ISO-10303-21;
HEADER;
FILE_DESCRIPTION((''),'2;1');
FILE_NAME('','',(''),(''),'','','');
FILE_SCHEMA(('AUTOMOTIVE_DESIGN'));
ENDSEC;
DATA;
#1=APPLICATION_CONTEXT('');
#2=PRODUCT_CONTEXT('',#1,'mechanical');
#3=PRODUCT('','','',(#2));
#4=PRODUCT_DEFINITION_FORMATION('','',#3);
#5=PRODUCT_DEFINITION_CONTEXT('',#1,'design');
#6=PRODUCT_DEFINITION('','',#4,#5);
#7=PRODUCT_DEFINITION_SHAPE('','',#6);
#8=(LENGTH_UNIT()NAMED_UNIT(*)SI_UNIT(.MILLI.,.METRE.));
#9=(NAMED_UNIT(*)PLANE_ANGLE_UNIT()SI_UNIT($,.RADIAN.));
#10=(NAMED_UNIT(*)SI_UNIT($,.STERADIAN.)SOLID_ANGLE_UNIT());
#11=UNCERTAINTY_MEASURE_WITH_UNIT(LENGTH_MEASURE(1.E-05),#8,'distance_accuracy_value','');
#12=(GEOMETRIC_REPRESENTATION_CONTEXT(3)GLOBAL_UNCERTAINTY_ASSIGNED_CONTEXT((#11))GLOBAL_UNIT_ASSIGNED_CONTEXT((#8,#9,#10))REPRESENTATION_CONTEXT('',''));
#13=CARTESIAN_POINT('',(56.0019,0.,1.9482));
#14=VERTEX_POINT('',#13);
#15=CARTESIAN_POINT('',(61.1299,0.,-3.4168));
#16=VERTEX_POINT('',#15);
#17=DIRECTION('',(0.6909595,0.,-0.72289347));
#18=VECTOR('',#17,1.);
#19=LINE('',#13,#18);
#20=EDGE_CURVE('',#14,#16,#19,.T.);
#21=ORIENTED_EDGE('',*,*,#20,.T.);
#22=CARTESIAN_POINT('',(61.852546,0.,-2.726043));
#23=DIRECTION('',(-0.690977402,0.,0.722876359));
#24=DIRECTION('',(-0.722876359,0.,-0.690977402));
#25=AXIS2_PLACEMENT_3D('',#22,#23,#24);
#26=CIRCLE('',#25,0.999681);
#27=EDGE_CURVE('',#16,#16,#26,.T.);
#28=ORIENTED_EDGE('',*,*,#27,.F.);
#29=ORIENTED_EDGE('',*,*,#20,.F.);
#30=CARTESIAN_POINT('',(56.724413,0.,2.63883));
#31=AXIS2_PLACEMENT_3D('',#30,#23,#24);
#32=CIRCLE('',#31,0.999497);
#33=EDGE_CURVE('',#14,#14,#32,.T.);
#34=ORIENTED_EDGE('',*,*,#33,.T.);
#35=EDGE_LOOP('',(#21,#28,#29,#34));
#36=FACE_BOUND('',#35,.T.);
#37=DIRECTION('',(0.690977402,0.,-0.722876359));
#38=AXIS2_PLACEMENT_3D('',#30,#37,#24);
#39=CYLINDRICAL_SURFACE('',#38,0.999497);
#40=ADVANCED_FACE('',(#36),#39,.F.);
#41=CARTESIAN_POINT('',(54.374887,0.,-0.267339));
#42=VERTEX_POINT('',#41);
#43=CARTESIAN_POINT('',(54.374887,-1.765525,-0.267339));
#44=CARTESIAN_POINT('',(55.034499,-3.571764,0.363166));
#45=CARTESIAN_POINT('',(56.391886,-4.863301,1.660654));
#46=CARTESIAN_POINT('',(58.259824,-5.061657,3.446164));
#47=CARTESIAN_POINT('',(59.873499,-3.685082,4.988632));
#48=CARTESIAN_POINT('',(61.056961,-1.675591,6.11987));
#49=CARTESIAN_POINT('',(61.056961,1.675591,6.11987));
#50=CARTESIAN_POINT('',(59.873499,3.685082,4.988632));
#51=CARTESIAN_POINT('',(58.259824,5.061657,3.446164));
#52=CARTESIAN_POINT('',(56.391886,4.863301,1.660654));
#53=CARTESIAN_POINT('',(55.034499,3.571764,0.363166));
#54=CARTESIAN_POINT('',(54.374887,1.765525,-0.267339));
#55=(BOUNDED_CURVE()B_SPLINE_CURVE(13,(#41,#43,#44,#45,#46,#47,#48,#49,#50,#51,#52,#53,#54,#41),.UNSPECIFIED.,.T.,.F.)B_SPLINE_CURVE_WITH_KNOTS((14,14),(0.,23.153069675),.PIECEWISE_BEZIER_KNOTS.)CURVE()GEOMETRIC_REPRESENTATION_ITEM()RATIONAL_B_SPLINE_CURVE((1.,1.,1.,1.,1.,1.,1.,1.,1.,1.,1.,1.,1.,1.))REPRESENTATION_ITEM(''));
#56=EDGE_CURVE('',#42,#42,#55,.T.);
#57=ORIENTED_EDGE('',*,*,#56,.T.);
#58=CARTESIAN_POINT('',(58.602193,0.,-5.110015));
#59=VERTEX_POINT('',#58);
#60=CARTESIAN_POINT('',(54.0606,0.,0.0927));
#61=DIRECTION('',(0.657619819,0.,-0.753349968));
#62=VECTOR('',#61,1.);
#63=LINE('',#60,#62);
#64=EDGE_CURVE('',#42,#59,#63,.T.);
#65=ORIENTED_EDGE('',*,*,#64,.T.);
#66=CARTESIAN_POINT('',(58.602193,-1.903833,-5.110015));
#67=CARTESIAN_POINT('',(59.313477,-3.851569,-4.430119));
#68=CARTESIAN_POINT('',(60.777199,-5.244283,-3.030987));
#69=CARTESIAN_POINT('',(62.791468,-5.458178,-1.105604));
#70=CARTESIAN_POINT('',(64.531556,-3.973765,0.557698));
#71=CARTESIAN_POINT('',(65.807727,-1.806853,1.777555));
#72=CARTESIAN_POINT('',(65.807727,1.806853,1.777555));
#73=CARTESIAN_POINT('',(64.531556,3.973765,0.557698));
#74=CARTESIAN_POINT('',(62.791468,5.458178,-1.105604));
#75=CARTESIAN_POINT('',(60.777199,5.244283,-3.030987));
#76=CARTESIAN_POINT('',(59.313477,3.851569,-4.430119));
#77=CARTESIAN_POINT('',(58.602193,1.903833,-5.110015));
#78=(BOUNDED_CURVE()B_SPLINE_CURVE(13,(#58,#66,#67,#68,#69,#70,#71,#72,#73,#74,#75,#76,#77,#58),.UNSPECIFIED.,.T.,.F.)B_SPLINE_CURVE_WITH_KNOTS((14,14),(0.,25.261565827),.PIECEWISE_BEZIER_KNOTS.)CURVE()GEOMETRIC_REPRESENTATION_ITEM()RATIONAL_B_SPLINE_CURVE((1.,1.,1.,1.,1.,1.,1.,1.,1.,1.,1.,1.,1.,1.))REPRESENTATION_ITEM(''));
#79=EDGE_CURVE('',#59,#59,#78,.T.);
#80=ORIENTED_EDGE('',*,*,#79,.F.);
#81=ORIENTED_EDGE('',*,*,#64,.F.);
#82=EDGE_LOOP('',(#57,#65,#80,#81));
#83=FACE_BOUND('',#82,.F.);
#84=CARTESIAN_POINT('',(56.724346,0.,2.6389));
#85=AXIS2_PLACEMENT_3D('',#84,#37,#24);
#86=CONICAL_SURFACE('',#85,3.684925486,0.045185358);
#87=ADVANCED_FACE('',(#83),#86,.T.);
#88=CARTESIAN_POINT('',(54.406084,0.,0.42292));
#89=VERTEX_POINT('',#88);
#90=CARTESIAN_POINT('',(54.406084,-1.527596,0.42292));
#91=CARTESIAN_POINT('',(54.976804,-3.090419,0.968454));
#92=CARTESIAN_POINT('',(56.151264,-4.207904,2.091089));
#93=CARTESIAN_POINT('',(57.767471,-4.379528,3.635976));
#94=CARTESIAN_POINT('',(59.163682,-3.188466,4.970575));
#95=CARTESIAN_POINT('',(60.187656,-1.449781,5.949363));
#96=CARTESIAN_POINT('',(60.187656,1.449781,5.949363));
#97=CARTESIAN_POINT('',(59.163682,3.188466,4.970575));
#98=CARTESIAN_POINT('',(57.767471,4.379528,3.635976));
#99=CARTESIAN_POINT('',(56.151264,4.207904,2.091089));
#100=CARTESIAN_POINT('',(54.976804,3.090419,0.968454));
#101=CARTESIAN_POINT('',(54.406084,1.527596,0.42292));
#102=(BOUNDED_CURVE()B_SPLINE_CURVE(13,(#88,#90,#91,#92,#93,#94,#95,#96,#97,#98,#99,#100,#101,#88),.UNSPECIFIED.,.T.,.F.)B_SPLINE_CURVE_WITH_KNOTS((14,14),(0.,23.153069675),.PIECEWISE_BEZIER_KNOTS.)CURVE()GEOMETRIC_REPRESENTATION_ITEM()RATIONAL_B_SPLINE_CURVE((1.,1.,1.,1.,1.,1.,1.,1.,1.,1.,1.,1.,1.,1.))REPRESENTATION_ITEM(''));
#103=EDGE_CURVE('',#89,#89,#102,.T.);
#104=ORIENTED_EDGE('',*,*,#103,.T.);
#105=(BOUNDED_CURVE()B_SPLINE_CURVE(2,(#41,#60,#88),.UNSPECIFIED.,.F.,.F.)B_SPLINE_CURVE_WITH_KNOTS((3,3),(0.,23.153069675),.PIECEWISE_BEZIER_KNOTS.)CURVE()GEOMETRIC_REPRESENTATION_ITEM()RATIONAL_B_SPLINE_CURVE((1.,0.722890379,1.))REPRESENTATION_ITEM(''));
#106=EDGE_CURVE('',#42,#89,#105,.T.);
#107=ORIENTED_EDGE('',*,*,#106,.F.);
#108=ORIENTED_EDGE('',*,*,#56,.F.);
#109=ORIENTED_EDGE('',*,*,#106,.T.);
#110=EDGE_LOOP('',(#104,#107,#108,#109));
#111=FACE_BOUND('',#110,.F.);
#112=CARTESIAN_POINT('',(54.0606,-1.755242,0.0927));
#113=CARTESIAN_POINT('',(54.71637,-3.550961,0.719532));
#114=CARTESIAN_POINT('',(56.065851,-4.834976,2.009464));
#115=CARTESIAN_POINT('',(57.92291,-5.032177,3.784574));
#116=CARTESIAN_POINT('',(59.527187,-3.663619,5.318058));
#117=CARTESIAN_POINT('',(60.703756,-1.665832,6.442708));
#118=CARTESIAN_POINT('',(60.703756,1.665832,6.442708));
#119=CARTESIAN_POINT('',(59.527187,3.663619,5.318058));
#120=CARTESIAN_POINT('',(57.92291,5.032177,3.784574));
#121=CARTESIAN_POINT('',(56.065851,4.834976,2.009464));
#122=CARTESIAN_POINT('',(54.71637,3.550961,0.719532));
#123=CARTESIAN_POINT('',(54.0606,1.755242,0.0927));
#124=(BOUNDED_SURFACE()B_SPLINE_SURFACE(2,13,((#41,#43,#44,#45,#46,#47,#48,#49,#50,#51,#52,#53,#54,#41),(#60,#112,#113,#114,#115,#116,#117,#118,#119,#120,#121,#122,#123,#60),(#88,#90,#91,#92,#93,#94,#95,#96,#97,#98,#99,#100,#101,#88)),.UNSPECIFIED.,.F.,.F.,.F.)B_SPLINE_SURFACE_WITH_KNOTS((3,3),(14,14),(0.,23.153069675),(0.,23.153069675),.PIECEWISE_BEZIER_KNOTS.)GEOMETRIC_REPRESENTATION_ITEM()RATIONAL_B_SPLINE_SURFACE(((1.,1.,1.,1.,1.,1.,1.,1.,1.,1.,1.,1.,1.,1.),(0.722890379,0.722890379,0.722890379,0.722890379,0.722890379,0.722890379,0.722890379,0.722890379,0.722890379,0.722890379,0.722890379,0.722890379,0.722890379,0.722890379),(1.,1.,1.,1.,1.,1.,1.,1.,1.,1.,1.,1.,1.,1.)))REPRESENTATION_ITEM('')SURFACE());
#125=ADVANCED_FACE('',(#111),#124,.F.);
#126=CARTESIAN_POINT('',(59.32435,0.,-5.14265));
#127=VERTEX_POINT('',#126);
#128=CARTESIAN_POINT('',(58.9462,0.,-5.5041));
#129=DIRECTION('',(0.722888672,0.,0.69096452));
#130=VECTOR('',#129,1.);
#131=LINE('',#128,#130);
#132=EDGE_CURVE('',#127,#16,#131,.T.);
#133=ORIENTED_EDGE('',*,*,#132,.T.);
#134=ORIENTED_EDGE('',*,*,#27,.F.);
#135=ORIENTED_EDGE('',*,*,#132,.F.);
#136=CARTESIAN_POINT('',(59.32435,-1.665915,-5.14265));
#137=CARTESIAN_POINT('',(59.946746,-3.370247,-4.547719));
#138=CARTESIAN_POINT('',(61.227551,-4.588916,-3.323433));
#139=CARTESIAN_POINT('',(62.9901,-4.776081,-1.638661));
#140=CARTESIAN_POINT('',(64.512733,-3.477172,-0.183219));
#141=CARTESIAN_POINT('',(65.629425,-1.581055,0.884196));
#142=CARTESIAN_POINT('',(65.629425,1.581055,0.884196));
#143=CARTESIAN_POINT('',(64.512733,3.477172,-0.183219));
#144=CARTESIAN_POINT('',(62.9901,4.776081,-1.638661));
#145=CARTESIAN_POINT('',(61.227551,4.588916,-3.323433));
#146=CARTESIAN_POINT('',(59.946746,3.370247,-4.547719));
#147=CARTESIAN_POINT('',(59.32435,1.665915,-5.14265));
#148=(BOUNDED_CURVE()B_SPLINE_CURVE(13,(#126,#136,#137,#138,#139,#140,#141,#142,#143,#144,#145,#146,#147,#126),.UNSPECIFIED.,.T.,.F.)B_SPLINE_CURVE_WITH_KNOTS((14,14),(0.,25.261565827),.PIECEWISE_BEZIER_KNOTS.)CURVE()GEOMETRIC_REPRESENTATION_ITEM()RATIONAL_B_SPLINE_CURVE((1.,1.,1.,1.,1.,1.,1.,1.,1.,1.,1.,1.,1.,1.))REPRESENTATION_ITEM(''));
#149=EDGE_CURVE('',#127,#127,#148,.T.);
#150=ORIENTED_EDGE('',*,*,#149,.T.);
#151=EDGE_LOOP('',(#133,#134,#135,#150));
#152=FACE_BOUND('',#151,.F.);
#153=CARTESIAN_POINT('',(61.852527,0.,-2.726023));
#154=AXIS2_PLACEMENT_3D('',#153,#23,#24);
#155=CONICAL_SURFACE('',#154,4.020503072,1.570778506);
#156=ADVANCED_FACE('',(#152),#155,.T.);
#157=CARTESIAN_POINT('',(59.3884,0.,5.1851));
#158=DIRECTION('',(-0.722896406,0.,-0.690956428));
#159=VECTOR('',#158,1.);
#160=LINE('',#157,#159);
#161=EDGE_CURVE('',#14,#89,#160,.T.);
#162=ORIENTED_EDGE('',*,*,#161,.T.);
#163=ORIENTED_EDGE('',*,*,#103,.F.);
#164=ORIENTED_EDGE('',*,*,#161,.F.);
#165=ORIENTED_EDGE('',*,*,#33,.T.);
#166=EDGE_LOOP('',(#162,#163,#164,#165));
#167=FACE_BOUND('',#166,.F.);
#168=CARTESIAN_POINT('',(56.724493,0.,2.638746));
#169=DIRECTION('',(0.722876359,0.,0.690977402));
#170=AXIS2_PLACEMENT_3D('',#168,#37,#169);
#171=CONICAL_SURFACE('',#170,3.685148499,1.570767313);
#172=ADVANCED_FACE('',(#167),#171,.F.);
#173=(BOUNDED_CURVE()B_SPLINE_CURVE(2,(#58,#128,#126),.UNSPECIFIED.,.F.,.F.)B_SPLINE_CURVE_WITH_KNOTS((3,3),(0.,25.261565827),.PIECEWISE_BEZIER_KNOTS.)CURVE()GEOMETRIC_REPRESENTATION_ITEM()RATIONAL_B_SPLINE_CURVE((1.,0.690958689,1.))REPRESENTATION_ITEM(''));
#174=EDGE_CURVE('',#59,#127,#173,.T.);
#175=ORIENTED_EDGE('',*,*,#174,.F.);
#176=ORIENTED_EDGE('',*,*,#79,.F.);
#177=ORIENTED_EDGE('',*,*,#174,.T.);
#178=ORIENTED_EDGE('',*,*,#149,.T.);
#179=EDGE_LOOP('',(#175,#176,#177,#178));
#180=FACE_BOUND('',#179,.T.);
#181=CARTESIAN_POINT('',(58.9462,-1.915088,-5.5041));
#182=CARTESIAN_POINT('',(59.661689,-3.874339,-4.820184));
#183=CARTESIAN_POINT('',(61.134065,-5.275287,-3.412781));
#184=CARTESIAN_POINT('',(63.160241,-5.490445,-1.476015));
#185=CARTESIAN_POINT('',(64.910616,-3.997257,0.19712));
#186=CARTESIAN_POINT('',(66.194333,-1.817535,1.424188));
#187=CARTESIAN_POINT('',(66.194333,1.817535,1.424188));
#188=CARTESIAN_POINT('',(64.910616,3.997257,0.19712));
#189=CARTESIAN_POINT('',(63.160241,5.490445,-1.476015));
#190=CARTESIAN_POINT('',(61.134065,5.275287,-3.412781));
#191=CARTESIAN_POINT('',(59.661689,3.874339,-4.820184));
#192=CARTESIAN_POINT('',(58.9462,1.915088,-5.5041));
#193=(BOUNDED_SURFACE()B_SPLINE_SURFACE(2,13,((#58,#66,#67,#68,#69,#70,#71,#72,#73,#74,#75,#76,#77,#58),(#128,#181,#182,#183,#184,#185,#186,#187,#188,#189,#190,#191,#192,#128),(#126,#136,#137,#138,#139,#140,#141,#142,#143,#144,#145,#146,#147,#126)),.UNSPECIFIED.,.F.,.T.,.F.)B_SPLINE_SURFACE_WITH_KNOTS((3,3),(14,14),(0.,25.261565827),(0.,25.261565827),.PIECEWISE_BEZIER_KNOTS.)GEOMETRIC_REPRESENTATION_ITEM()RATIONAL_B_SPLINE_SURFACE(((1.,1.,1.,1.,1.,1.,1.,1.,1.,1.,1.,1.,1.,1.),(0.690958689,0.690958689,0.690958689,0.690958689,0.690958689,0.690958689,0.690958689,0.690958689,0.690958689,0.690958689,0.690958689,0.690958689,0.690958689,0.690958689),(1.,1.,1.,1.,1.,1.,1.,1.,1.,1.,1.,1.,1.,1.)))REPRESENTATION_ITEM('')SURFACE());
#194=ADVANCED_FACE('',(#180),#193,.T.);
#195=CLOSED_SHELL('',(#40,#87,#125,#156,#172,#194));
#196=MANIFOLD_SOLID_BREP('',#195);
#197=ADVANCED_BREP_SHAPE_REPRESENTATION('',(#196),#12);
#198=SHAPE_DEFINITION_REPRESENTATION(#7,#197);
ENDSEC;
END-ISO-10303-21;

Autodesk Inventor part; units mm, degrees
ref_plane "YZ Plane" through (0, 0, 0) normal (1, 0, 0) x (0, 1, 0)
ref_plane "XZ Plane" through (0, 0, 0) normal (0, 1, 0) x (-1, 0, 0)
sketch "Sketch7" plane through (0, 0, 0) normal (0, 1, 0) x (-1, 0, 0)
  line L0 (0, 0) -> (0, 61.9844)
  line L1 (0, 0) -> (-59.2469, 0) construction
  line L2 (0, 61.9844) -> (-59.2469, 0) construction
  line L3 (0, 61.9844) -> (-64.8494, 0) construction
  line L4 (0, 61.9844) -> (-58.9939, -5.5968) construction
  line L5 (0, 0) -> (0, -61.9844)
  line L6 (0, -61.9844) -> (-59.2469, 0) construction
  line L7 (0, -61.9844) -> (-64.8494, 0) construction
  line L8 (0, -61.9844) -> (-58.9939, 5.5968) construction
  line L9 (-58.9939, 5.5968) -> (-64.8494, 0) construction
  line L10 (-54.1083, 0) -> (-62.8579, -8.363) construction
  line L11 (-54.1083, 0) -> (-38.773, -14.6578) construction
  line L12 (0, -94.3812) -> (0, 132.3969) projected
  line L13 (-75, -5.9919) -> (-75, 6.008)
  line L14 (105, 0) -> (-105, 0) projected
  line L15 (-62.0481, 2.6775) -> (-56.4456, -2.6775) construction
  line L16 (-56.4456, 2.6775) -> (-62.0481, -2.6775) construction
  line L17 (-26.151, -15.9303) -> (-40.3783, -15.9303) construction
  line L18 (-40.3783, -15.9303) -> (-40.3783, -12.7539) construction
  line L19 (-40.3783, -12.7539) -> (-26.151, -12.7539) construction
  line L20 (-26.151, -12.7539) -> (-26.151, -15.9303) construction
  point P0 (-75, 0)
  dimension "Roller_Side_difference" = -0.0002
  dimension "d90" = 61.9844
  dimension "d201" = 75
  dimension "d343" = 92.587
  dimension "d344" = 92.588
  dimension "d367" = 8.1
sketch "Sketch1" plane through (0, 0, 0) normal (0, 0, 1) x (1, 0, 0)
  circle A0 centre (0, 0) radius 59.2469 construction
  line L0 (0, 0) -> (59.2469, 0)
  line L1 (0, 0) -> (59.2469, 4.025)
  line L2 (59.2469, 0) -> (59.2469, 4.025)
  circle A1 centre (0, 0) radius 75
  point P0 (56.8, 0)
  dimension "d56" = 59.2469
  dimension "d57" = 4.025
  dimension "d400" = 75
  dimension "d495" = 2.5
  dimension "d496" = 8
  dimension "d531" = 5.5
  dimension "d532" = 5.5
  dimension "d533" = 5.5
  dimension "d537" = 24.5
  dimension "d538" = 3
  dimension "d543" = 5.5
  dimension "d549" = 3
  dimension "d550" = 3
  dimension "d567" = 5.5
  dimension "d568" = 5.5
sketch "Roller1" plane through (0, 0, 0) normal (0, 1, 0) x (-1, 0, 0)
  line L0 (0, 61.9844) -> (-58.9939, -5.5968) construction
  line L1 (0, 61.9844) -> (-64.8494, 0) construction
  line L2 (-54.1083, 0) -> (-38.773, -14.6578) construction
  line L3 (0, -61.9844) -> (-64.8494, 0) construction
  line L4 (-54.0606, 0.0927) -> (-58.9462, -5.5041)
  line L5 (-58.9462, -5.5041) -> (-64.7589, 0.0519)
  line L6 (-64.7589, 0.0519) -> (-59.3884, 5.1851)
  line L7 (-59.3884, 5.1851) -> (-54.0606, 0.0927)
  line L8 (-56.0019, 1.9482) -> (-61.1299, -3.4168)
  line L9 (-61.8526, -2.7261) -> (-56.7246, 2.639)
  point P0 (0, 0)
  dimension "d345" = 0.025
  dimension "d346" = 0.025
  dimension "d347" = 0.1
  dimension "d348" = 0.1
  dimension "d349" = 272.588
  dimension "d350" = 272.587
  dimension "d617" = 0.9997
sketch "Roller2" plane through (0, 0, 0) normal (0, 1, 0) x (-1, 0, 0)
  line L0 (0, -61.9844) -> (-58.9939, 5.5968) construction
  line L1 (-54.1083, 0) -> (-62.8579, -8.363) construction
  line L2 (0, -61.9844) -> (-64.8494, 0) construction
  line L3 (0, 61.9844) -> (-64.8494, 0) construction
  line L4 (-58.9462, 5.5041) -> (-54.1923, 0.0581)
  line L5 (-54.1923, 0.0581) -> (-59.5331, -5.0468)
  line L6 (-59.5331, -5.0468) -> (-64.7589, -0.0519)
  line L7 (-64.7589, -0.0519) -> (-58.9462, 5.5041)
  line L8 (-61.8526, 2.7261) -> (-56.8627, -2.4944)
  line L9 (-61.1297, 3.417) -> (-56.1399, -1.8034)
  point P0 (0, 0)
  dimension "d351" = 0.025
  dimension "d352" = 0.025
  dimension "d354" = 0.1
  dimension "d355" = 92.587
  dimension "d356" = 92.588
  dimension "d370" = 0.1
  dimension "d371" = 1
sketch "Sketch22" plane through (0, 0, 0) normal (0, 1, 0) x (-1, 0, 0)
  line L0 (-31.756, 8.0215) -> (-17.5287, 8.0215) construction
  line L1 (-17.5287, 8.0215) -> (-17.5287, 4.8451) construction
  line L2 (-17.5287, 4.8451) -> (-31.756, 4.8451) construction
  line L3 (-31.756, 4.8451) -> (-31.756, 8.0215) construction
  point P0 (0, 0)
  dimension "Roller_Side_difference" = -0.0002
sketch "Sketch2" plane through (0, 0, 0) normal (0, 1, 0) x (-1, 0, 0)
  line L0 (0, 0) -> (0, 59.2469) construction
  line L1 (0, 0) -> (-59.2469, 0) projected
  line L2 (0, 0) -> (0, -59.2469)
  line L3 (0, -59.2469) -> (-59.2469, 0) construction
  line L4 (0, 59.2469) -> (-59.2469, 0) construction
  line L5 (-50.488, 53.5552) -> (0, 59.2469) construction
  line L6 (-29.7354, 7.189) -> (0, 59.2469) construction
  line L7 (-29.7354, 7.189) -> (0, -59.2469) construction
  line L8 (-48.8381, -26.254) -> (0, -59.2469) construction
  point P0 (-40.4258, 18.8211)
sketch "Sketch23" plane through (0, 0, 0) normal (0, 1, 0) x (-1, 0, 0)
  line L0 (0, -61.9844) -> (-58.9939, 5.5968) construction
  line L1 (0, -61.9844) -> (-64.8494, 0) construction
  line L2 (0, 61.9844) -> (-58.9939, -5.5968) construction
  line L3 (-58.9939, 5.5968) -> (-64.8494, 0) construction
  line L4 (0, 61.9844) -> (-64.8494, 0) construction
  line L5 (-58.9939, 5.5968) -> (-58.9939, -5.5968) construction
  line L6 (105, 0) -> (-105, 0) projected
  line L7 (-57.5518, 4.0968) -> (-54.033, 0.0658)
  line L8 (-54.033, -0.0658) -> (-57.5518, -4.0968)
  line L9 (-60.708, 4.0968) -> (-64.9185, 0.0723)
  line L10 (-64.9185, -0.0723) -> (-60.708, -4.0968)
  arc A0 (-64.9185, 0.0723) -> (-64.9185, -0.0723) centre (-64.8494, 0) ccw
  arc A1 (-54.033, -0.0658) -> (-54.033, 0.0658) centre (-54.1083, 0) ccw
  line L11 (-57.5518, 4.0968) -> (-57.5518, 5.5968)
  line L12 (-57.5518, 5.5968) -> (-50, 5.5968)
  line L13 (-50, 5.5968) -> (-50, -5.5968)
  line L14 (-50, -5.5968) -> (-57.5518, -5.5968)
  line L15 (-57.5518, -5.5968) -> (-57.5518, -4.0968)
  line L16 (-60.708, 4.0968) -> (-60.708, 5.5968)
  line L17 (-60.708, 5.5968) -> (-75, 5.5968)
  line L18 (-75, 5.5968) -> (-75, -5.5968)
  line L19 (-60.708, -4.0968) -> (-60.708, -5.5968)
  line L20 (-60.708, -5.5968) -> (-75, -5.5968)
  line L21 (-58.9939, 5.5968) -> (-58.9939, 5.5968)
  line L22 (-58.9939, -5.5968) -> (-58.9939, -5.5968)
  line L23 (0, -94.3812) -> (0, 132.3969) projected
  line L24 (-64.9941, 0) -> (-75, 0)
  point P0 (0, 0)
  point P1 (-53.9756, 0)
  point P2 (-64.9494, 0)
  point P3 (-75, 0)
  dimension "d378" = 90
  dimension "d379" = 0.1
  dimension "d380" = 0.1
  dimension "d381" = 0.1
  dimension "d382" = 0.1
  dimension "d383" = 0.1
  dimension "d384" = 11.1935
  dimension "d385" = 0
  dimension "d386" = 0
  dimension "d391" = 50
  dimension "d392" = 75
  dimension "d393" = 1.5
  dimension "d394" = 1.5
  dimension "d395" = 1.5
  dimension "d396" = 1.5
  dimension "d621" = 3
  dimension "d622" = 5.5
  dimension "d630" = 5.5
  dimension "d631" = 3
revolve "RevRoller1" add sketch "Roller1" angle 360 about axis through (61.8526, 0, -2.7261) along (-0.691, 0, 0.7229) contours L4 L5 L8 L7
fillet "Fillet1" radius 0.5 2 edges at (59.3885, 0, 5.1852) (64.7589, 0, 0.0519)
sketch "Sketch40" plane through (0, 0, -5.231) normal (0, 0, -1) x (-1, 0, 0)
  circle A0 centre (53.5, 0) radius 2.75 projected
  circle A1 centre (0, 0) radius 53.5 projected
  point P0 (53.4293, 2.7491)
  point P1 (53.4293, -2.7491)
  dimension "d585" = 8
  dimension "d587" = 1.75
  dimension "d589" = 3
  dimension "d592" = 2
  dimension "d593" = 12
  dimension "d594" = 12
  dimension "d611" = 360
equation "\"Roller_Side_difference\" = -0.000942deg"
equation "\"Cycloid_Top_Plate_Fasner_Inner\" = 61.25"
equation "\"Cycloid_Top_Plate_Fasner_Outer\" = 85.75"
equation "\"Roller_Hole_Radius\" = 1"
equation "\"Distance_To_Bearing\" = 85.74529"
equation "\"d514\" = 0.2"
properties part number "Roller_OuterBearing_TBS"
